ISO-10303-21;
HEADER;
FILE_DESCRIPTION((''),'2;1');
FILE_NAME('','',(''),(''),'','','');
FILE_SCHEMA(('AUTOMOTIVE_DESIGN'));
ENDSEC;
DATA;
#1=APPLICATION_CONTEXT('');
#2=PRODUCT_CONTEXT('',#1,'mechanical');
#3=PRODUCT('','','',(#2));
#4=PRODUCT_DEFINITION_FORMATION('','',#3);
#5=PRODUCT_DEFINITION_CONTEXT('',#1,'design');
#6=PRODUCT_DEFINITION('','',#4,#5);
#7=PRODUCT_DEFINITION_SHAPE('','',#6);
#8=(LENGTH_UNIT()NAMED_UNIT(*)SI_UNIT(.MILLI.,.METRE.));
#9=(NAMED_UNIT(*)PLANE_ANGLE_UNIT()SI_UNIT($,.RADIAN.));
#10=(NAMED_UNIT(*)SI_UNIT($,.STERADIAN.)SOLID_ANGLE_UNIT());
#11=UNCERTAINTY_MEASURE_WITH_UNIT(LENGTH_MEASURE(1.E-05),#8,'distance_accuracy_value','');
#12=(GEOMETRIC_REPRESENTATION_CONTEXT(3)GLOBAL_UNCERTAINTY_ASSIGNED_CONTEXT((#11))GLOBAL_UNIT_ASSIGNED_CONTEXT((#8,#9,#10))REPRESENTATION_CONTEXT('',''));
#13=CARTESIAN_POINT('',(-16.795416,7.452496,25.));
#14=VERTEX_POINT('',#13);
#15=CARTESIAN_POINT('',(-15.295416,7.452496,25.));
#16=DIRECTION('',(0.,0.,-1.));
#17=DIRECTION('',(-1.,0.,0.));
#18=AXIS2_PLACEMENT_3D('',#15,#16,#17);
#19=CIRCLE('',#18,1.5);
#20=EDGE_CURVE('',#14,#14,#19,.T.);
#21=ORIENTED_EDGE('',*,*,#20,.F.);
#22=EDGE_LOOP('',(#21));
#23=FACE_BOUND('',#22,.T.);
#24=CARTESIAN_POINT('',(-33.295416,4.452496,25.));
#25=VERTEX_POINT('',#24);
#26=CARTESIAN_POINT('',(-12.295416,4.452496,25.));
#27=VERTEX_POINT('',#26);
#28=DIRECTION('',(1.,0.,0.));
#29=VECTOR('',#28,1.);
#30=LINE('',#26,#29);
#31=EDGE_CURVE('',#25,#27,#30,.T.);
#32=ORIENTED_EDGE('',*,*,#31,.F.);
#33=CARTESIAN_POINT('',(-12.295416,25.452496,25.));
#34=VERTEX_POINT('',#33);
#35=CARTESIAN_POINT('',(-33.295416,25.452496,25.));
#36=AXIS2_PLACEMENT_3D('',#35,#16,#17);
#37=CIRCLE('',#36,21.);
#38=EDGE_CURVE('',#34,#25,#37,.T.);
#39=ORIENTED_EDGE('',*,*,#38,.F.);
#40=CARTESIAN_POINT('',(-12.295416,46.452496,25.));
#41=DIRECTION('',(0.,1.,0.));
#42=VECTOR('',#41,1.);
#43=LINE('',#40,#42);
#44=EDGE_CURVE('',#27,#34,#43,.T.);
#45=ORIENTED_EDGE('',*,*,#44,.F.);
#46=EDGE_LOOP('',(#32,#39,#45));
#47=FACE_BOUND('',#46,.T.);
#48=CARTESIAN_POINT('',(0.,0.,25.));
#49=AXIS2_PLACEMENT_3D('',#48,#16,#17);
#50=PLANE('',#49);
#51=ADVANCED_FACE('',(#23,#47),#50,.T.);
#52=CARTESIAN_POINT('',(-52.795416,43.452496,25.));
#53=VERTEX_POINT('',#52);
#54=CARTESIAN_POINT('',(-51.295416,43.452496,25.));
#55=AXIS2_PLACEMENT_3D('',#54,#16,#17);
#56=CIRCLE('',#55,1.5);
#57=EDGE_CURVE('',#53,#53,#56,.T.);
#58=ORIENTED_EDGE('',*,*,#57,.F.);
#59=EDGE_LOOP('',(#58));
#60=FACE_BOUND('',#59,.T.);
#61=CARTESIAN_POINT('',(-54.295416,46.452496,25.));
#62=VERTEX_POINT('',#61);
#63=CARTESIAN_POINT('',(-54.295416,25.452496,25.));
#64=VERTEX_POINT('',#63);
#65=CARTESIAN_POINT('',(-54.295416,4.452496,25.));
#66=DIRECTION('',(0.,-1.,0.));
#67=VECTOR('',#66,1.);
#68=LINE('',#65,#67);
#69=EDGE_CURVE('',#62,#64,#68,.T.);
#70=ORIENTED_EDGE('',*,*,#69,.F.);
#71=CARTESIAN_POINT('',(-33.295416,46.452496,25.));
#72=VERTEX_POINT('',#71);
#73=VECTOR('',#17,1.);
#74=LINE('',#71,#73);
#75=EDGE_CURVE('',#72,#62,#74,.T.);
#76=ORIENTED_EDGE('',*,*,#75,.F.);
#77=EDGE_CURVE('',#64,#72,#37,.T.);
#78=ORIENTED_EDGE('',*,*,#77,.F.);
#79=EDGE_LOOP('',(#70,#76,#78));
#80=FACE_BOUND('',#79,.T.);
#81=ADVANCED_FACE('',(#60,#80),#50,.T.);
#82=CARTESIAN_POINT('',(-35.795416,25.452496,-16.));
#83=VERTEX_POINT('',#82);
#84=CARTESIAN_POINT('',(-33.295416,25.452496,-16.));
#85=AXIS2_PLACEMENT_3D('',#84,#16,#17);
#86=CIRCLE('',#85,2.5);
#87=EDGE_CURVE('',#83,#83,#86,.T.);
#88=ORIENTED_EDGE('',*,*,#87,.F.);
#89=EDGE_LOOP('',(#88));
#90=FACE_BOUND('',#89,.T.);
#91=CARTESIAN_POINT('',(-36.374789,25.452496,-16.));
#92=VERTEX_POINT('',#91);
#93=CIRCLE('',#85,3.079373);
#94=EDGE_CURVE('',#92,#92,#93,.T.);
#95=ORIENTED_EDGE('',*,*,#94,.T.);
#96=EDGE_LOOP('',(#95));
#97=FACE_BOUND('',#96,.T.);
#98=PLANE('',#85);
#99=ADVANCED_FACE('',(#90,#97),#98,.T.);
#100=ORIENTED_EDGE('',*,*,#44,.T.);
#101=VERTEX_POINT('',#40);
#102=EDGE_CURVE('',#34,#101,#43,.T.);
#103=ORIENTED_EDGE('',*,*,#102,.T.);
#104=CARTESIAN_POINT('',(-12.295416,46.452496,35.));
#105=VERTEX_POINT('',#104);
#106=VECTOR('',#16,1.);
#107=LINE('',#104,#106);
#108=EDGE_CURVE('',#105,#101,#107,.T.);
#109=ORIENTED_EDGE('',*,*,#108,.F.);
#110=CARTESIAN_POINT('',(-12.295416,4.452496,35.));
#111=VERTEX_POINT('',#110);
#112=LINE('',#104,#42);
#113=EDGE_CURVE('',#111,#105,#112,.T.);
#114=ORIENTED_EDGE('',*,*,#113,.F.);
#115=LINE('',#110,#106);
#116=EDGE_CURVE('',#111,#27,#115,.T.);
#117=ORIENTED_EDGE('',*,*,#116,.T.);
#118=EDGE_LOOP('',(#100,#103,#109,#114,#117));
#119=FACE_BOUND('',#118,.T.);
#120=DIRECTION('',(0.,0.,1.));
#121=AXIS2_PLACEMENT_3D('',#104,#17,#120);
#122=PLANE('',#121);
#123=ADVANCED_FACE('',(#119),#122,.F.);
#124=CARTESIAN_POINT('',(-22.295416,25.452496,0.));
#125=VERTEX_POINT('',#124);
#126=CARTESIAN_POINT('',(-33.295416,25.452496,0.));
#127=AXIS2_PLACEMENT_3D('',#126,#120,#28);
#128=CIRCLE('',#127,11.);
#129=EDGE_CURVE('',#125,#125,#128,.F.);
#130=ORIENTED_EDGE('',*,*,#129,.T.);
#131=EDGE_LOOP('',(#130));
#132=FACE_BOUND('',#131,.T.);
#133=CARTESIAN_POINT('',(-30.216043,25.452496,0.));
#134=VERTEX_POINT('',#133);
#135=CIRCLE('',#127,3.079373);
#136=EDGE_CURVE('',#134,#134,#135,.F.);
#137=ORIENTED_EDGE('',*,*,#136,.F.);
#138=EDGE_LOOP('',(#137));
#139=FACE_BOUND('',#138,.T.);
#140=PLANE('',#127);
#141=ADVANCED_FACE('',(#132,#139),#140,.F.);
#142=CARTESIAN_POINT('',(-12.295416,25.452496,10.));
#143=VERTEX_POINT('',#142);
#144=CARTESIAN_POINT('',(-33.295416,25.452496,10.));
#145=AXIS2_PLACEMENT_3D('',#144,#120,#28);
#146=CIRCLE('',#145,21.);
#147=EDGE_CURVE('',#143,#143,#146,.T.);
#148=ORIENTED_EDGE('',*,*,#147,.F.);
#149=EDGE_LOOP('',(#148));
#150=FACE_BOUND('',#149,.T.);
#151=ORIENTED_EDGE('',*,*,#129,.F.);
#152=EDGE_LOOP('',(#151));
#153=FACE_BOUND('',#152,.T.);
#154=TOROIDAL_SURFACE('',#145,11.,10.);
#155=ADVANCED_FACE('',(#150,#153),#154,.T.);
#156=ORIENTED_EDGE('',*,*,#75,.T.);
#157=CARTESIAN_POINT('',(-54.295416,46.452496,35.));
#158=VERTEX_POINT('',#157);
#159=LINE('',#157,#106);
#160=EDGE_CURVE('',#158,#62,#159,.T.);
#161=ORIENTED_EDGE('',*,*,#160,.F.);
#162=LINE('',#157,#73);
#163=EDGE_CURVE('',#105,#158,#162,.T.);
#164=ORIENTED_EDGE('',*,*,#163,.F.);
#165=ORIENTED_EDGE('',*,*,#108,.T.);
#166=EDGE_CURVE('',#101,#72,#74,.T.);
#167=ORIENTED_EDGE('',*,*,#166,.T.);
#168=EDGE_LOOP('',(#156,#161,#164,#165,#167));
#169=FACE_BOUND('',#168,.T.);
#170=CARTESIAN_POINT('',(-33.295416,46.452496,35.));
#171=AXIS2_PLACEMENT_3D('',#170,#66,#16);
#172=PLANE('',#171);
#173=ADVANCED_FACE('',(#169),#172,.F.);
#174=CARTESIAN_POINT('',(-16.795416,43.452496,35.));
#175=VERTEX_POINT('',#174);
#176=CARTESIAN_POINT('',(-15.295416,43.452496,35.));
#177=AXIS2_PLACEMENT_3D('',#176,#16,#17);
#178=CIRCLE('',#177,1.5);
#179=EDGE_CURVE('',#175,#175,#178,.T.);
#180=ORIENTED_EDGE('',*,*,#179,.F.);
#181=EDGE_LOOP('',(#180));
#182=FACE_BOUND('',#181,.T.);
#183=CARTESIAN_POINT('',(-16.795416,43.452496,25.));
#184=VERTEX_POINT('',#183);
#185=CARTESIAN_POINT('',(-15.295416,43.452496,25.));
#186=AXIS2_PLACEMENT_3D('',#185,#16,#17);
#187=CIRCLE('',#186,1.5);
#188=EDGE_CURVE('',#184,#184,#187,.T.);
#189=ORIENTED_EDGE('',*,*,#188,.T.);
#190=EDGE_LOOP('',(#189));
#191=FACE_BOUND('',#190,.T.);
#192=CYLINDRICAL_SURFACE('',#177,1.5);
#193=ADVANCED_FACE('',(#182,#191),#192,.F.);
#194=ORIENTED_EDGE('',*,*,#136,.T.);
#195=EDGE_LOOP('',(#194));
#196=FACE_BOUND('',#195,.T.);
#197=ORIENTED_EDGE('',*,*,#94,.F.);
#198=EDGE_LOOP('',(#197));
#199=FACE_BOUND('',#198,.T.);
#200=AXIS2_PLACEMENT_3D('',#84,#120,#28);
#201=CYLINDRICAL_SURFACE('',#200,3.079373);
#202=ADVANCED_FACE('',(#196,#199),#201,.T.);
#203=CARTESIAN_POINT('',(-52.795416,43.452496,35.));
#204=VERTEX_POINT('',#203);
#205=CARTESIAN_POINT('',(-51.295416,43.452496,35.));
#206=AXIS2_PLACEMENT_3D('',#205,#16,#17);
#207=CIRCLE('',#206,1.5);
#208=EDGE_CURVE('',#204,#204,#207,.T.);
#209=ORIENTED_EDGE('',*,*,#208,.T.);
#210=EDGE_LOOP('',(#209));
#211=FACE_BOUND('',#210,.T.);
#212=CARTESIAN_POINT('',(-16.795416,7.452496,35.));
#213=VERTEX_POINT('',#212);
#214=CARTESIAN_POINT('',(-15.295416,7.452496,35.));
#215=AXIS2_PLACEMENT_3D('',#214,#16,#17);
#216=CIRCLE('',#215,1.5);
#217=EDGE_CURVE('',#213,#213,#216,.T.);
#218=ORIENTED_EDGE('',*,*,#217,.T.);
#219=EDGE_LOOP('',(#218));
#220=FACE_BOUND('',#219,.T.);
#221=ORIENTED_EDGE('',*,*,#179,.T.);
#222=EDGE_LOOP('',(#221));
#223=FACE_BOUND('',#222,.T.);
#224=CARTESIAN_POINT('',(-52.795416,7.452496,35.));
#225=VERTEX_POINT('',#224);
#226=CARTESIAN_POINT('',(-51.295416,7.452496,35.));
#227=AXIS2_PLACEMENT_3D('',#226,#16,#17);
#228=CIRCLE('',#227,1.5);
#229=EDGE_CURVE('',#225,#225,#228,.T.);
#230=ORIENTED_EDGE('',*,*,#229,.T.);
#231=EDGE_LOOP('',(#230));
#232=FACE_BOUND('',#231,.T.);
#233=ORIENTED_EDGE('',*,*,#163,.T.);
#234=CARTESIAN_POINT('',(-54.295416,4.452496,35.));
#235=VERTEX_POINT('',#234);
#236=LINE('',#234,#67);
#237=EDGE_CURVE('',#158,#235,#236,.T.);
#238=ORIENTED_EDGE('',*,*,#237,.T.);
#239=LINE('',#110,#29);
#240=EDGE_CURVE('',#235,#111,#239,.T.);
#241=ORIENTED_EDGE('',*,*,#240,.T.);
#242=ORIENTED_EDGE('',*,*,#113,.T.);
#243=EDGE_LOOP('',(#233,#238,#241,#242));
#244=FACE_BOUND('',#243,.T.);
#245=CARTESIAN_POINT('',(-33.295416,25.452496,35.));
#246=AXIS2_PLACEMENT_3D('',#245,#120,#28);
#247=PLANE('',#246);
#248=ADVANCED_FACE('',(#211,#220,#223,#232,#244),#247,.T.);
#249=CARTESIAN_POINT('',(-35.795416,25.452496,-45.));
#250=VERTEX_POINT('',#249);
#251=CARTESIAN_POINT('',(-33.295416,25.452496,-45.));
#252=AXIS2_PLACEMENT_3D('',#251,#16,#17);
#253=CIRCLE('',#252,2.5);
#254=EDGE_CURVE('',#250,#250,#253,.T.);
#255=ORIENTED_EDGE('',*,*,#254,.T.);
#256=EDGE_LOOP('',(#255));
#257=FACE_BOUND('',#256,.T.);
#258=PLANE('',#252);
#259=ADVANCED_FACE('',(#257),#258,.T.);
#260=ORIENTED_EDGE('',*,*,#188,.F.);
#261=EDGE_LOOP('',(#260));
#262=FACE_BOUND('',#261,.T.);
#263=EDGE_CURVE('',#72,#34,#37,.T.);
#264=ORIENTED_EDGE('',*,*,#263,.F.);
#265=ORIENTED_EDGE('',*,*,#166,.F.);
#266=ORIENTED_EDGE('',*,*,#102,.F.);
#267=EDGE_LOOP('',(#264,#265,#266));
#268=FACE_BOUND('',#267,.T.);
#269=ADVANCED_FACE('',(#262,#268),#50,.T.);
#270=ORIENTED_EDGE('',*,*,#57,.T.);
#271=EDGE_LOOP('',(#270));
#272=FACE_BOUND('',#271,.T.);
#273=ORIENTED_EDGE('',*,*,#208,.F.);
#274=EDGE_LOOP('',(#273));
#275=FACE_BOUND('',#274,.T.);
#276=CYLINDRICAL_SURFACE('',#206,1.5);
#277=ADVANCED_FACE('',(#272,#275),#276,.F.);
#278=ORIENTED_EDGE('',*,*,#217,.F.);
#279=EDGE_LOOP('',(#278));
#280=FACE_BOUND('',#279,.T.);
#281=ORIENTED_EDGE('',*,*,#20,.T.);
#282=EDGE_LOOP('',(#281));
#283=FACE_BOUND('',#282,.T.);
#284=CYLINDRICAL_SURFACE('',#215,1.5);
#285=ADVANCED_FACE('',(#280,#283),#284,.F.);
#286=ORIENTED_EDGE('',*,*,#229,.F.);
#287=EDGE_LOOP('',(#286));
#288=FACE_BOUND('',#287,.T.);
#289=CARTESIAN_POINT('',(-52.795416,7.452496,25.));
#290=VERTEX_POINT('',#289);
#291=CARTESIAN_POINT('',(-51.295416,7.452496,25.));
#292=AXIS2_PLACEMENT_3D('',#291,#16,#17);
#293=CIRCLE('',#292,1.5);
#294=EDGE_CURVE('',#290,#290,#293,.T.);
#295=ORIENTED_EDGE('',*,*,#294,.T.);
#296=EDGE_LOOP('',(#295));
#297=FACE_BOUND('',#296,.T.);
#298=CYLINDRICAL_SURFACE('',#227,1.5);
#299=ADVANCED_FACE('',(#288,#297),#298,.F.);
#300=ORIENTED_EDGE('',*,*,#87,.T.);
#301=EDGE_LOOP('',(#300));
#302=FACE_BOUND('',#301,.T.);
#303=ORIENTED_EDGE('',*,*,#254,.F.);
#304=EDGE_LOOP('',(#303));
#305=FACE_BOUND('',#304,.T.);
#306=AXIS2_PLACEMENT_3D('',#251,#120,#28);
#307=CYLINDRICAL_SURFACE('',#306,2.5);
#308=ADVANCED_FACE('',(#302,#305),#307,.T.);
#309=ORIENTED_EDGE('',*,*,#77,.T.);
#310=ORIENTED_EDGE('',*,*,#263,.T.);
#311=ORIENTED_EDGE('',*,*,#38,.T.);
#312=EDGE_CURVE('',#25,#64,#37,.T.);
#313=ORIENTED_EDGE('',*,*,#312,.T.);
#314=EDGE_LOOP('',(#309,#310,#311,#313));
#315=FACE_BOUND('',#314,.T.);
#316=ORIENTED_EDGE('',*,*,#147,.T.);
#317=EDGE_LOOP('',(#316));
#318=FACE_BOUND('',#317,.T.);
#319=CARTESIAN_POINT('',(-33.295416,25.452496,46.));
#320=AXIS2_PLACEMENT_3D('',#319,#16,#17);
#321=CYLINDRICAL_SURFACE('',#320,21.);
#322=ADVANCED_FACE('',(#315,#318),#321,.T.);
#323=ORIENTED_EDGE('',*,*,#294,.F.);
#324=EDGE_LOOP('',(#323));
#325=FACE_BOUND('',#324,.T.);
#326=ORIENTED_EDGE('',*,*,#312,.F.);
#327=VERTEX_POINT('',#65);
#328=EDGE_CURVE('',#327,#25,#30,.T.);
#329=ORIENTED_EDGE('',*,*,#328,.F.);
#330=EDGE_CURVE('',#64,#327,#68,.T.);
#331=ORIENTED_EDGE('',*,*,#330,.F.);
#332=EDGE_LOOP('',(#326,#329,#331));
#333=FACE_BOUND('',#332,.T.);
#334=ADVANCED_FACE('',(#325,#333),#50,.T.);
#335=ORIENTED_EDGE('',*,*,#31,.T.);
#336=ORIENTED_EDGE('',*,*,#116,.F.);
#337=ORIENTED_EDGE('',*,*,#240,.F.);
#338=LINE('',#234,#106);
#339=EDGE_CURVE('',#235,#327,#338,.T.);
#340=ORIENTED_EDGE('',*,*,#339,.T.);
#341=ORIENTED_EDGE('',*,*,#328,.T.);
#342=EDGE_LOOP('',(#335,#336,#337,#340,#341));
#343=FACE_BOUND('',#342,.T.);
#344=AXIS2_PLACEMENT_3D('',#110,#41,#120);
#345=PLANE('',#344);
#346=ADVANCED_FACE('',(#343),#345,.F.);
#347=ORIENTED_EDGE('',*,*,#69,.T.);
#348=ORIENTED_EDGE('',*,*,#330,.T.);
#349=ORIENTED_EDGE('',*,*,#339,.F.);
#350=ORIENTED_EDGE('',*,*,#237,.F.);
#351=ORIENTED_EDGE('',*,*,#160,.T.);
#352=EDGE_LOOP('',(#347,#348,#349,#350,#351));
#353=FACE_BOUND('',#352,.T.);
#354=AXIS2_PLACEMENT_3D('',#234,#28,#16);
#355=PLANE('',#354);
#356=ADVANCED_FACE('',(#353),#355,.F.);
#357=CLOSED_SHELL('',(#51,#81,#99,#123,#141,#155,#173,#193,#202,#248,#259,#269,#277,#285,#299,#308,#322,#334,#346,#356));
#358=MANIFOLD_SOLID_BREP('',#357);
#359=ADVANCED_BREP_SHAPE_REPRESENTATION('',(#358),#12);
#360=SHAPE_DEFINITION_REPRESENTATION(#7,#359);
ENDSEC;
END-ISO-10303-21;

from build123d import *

# Parameters (mm, degrees)
ESBO_O1_R                = 21
RESSALTO_EXTRUS_O1_DEPTH = 46
FILETE1_R                = 10
ESBO_O2_R                = 3.079372868
RESSALTO_EXTRUS_O2_DEPTH = 16
ESBO_O3_R                = 2.5
RESSALTO_EXTRUS_O3_DEPTH = 29
RESSALTO_EXTRUS_O4_DEPTH = 10
ESBO_O5_R                = 21
CORTE_EXTRUS_O2_DEPTH    = 101.029128289
ESBO_O6_R                = 21
RESSALTO_EXTRUS_O5_DEPTH = 10
ESBO_O7_R                = 1.5
CORTE_EXTRUS_O3_DEPTH    = 101.029128289


with BuildPart() as part:
    # Esboço1 → Ressalto-extrusão1 (new body)
    with BuildSketch(Plane.XY):
        with Locations((-33.295415682, 25.452495544)):
            Circle(ESBO_O1_R)
    extrude(amount=RESSALTO_EXTRUS_O1_DEPTH)

    # Filete1
    filete1_edges = [part.edges().sort_by_distance(p)[0] for p in [
        (-54.295415682, 25.452495544, 0),
        (-54.295415682, 25.452495544, 46),
    ]]
    fillet(filete1_edges, radius=FILETE1_R)

    # Esboço2 → Ressalto-extrusão2 (add)
    with BuildSketch(Plane(origin=(0, 0, 0), x_dir=(-1, 0, 0), z_dir=(0, 0, -1))):
        with Locations(Location((33.295415682, 25.452495544, 0), (0, 0, 180))):
            Circle(ESBO_O2_R)
    extrude(amount=RESSALTO_EXTRUS_O2_DEPTH)

    # Esboço3 → Ressalto-extrusão3 (add)
    with BuildSketch(Plane(origin=(0, 0, -16), x_dir=(-1, 0, 0), z_dir=(0, 0, -1))):
        with Locations((33.295415682, 25.452495544)):
            Circle(ESBO_O3_R)
    extrude(amount=RESSALTO_EXTRUS_O3_DEPTH)

    # Esboço4 → Ressalto-extrusão4 (add)
    with BuildSketch(Plane.XY.offset(25)):
        Polygon((-33.295415682, 46.452495544), (-12.295415682, 46.452495544), (-12.295415682, 4.452495544), (-54.295415682, 4.452495544), (-54.295415682, 46.452495544), align=None)
    extrude(amount=RESSALTO_EXTRUS_O4_DEPTH)

    # Esboço5 → Corte-extrusão2 (cut, through all)
    with BuildSketch(Plane.XY.offset(25)):
        with Locations(Location((-33.295415682, 25.452495544, 0), (0, 0, 180))):
            Circle(ESBO_O5_R)
    extrude(amount=CORTE_EXTRUS_O2_DEPTH, mode=Mode.SUBTRACT)


with BuildPart() as corte_extrus_o2_piece_1:
    # of the separate pieces the step leaves, piece 1, a body of its own (corte_extrus_o2_pieces)
    add(part.part.solids().sort_by_distance((-12.295415682, 25.452495544, 10))[0])



with BuildPart() as corte_extrus_o2_piece_2:
    # of the separate pieces the step leaves, piece 2, a body of its own (corte_extrus_o2_pieces)
    add(part.part.solids().sort_by_distance((-54.295415682, 46.452495544, 25))[0])


with BuildPart() as corte_extrus_o2_piece_3:
    # of the separate pieces the step leaves, piece 3, a body of its own (corte_extrus_o2_pieces)
    add(part.part.solids().sort_by_distance((-54.295415682, 4.452495544, 25))[0])


with BuildPart() as corte_extrus_o2_piece_4:
    # of the separate pieces the step leaves, piece 4, a body of its own (corte_extrus_o2_pieces)
    add(part.part.solids().sort_by_distance((-12.295415682, 46.452495544, 25))[0])


with BuildPart() as corte_extrus_o2_piece_5:
    # of the separate pieces the step leaves, piece 5, a body of its own (corte_extrus_o2_pieces)
    add(part.part.solids().sort_by_distance((-12.295415682, 4.452495544, 25))[0])


with BuildPart() as corte_extrus_o2_piece_1_1:
    add(corte_extrus_o2_piece_1.part)

    add(corte_extrus_o2_piece_2.part)  # Ressalto-extrusão5 merges Corte-extrusão2 piece 2

    add(corte_extrus_o2_piece_3.part)  # Ressalto-extrusão5 merges Corte-extrusão2 piece 3

    add(corte_extrus_o2_piece_4.part)  # Ressalto-extrusão5 merges Corte-extrusão2 piece 4

    add(corte_extrus_o2_piece_5.part)  # Ressalto-extrusão5 merges Corte-extrusão2 piece 5
    # Esboço6 → Ressalto-extrusão5 (add)
    with BuildSketch(Plane.XY.offset(25)):
        with Locations((-33.295415682, 25.452495544)):
            Circle(ESBO_O6_R)
    extrude(amount=RESSALTO_EXTRUS_O5_DEPTH)

    # Esboço7 → Corte-extrusão3 (cut, through all)
    with BuildSketch(Plane(origin=(0, 0, 25), x_dir=(-1, 0, 0), z_dir=(0, 0, -1))):
        with Locations((15.295415682, 43.452495544)):
            Circle(ESBO_O7_R)
        with Locations((51.295415682, 43.452495544)):
            Circle(ESBO_O7_R)
        with Locations((51.295415682, 7.452495544)):
            Circle(ESBO_O7_R)
        with Locations((15.295415682, 7.452495544)):
            Circle(ESBO_O7_R)
    extrude(amount=-CORTE_EXTRUS_O3_DEPTH, mode=Mode.SUBTRACT)


solid = corte_extrus_o2_piece_1_1.part
